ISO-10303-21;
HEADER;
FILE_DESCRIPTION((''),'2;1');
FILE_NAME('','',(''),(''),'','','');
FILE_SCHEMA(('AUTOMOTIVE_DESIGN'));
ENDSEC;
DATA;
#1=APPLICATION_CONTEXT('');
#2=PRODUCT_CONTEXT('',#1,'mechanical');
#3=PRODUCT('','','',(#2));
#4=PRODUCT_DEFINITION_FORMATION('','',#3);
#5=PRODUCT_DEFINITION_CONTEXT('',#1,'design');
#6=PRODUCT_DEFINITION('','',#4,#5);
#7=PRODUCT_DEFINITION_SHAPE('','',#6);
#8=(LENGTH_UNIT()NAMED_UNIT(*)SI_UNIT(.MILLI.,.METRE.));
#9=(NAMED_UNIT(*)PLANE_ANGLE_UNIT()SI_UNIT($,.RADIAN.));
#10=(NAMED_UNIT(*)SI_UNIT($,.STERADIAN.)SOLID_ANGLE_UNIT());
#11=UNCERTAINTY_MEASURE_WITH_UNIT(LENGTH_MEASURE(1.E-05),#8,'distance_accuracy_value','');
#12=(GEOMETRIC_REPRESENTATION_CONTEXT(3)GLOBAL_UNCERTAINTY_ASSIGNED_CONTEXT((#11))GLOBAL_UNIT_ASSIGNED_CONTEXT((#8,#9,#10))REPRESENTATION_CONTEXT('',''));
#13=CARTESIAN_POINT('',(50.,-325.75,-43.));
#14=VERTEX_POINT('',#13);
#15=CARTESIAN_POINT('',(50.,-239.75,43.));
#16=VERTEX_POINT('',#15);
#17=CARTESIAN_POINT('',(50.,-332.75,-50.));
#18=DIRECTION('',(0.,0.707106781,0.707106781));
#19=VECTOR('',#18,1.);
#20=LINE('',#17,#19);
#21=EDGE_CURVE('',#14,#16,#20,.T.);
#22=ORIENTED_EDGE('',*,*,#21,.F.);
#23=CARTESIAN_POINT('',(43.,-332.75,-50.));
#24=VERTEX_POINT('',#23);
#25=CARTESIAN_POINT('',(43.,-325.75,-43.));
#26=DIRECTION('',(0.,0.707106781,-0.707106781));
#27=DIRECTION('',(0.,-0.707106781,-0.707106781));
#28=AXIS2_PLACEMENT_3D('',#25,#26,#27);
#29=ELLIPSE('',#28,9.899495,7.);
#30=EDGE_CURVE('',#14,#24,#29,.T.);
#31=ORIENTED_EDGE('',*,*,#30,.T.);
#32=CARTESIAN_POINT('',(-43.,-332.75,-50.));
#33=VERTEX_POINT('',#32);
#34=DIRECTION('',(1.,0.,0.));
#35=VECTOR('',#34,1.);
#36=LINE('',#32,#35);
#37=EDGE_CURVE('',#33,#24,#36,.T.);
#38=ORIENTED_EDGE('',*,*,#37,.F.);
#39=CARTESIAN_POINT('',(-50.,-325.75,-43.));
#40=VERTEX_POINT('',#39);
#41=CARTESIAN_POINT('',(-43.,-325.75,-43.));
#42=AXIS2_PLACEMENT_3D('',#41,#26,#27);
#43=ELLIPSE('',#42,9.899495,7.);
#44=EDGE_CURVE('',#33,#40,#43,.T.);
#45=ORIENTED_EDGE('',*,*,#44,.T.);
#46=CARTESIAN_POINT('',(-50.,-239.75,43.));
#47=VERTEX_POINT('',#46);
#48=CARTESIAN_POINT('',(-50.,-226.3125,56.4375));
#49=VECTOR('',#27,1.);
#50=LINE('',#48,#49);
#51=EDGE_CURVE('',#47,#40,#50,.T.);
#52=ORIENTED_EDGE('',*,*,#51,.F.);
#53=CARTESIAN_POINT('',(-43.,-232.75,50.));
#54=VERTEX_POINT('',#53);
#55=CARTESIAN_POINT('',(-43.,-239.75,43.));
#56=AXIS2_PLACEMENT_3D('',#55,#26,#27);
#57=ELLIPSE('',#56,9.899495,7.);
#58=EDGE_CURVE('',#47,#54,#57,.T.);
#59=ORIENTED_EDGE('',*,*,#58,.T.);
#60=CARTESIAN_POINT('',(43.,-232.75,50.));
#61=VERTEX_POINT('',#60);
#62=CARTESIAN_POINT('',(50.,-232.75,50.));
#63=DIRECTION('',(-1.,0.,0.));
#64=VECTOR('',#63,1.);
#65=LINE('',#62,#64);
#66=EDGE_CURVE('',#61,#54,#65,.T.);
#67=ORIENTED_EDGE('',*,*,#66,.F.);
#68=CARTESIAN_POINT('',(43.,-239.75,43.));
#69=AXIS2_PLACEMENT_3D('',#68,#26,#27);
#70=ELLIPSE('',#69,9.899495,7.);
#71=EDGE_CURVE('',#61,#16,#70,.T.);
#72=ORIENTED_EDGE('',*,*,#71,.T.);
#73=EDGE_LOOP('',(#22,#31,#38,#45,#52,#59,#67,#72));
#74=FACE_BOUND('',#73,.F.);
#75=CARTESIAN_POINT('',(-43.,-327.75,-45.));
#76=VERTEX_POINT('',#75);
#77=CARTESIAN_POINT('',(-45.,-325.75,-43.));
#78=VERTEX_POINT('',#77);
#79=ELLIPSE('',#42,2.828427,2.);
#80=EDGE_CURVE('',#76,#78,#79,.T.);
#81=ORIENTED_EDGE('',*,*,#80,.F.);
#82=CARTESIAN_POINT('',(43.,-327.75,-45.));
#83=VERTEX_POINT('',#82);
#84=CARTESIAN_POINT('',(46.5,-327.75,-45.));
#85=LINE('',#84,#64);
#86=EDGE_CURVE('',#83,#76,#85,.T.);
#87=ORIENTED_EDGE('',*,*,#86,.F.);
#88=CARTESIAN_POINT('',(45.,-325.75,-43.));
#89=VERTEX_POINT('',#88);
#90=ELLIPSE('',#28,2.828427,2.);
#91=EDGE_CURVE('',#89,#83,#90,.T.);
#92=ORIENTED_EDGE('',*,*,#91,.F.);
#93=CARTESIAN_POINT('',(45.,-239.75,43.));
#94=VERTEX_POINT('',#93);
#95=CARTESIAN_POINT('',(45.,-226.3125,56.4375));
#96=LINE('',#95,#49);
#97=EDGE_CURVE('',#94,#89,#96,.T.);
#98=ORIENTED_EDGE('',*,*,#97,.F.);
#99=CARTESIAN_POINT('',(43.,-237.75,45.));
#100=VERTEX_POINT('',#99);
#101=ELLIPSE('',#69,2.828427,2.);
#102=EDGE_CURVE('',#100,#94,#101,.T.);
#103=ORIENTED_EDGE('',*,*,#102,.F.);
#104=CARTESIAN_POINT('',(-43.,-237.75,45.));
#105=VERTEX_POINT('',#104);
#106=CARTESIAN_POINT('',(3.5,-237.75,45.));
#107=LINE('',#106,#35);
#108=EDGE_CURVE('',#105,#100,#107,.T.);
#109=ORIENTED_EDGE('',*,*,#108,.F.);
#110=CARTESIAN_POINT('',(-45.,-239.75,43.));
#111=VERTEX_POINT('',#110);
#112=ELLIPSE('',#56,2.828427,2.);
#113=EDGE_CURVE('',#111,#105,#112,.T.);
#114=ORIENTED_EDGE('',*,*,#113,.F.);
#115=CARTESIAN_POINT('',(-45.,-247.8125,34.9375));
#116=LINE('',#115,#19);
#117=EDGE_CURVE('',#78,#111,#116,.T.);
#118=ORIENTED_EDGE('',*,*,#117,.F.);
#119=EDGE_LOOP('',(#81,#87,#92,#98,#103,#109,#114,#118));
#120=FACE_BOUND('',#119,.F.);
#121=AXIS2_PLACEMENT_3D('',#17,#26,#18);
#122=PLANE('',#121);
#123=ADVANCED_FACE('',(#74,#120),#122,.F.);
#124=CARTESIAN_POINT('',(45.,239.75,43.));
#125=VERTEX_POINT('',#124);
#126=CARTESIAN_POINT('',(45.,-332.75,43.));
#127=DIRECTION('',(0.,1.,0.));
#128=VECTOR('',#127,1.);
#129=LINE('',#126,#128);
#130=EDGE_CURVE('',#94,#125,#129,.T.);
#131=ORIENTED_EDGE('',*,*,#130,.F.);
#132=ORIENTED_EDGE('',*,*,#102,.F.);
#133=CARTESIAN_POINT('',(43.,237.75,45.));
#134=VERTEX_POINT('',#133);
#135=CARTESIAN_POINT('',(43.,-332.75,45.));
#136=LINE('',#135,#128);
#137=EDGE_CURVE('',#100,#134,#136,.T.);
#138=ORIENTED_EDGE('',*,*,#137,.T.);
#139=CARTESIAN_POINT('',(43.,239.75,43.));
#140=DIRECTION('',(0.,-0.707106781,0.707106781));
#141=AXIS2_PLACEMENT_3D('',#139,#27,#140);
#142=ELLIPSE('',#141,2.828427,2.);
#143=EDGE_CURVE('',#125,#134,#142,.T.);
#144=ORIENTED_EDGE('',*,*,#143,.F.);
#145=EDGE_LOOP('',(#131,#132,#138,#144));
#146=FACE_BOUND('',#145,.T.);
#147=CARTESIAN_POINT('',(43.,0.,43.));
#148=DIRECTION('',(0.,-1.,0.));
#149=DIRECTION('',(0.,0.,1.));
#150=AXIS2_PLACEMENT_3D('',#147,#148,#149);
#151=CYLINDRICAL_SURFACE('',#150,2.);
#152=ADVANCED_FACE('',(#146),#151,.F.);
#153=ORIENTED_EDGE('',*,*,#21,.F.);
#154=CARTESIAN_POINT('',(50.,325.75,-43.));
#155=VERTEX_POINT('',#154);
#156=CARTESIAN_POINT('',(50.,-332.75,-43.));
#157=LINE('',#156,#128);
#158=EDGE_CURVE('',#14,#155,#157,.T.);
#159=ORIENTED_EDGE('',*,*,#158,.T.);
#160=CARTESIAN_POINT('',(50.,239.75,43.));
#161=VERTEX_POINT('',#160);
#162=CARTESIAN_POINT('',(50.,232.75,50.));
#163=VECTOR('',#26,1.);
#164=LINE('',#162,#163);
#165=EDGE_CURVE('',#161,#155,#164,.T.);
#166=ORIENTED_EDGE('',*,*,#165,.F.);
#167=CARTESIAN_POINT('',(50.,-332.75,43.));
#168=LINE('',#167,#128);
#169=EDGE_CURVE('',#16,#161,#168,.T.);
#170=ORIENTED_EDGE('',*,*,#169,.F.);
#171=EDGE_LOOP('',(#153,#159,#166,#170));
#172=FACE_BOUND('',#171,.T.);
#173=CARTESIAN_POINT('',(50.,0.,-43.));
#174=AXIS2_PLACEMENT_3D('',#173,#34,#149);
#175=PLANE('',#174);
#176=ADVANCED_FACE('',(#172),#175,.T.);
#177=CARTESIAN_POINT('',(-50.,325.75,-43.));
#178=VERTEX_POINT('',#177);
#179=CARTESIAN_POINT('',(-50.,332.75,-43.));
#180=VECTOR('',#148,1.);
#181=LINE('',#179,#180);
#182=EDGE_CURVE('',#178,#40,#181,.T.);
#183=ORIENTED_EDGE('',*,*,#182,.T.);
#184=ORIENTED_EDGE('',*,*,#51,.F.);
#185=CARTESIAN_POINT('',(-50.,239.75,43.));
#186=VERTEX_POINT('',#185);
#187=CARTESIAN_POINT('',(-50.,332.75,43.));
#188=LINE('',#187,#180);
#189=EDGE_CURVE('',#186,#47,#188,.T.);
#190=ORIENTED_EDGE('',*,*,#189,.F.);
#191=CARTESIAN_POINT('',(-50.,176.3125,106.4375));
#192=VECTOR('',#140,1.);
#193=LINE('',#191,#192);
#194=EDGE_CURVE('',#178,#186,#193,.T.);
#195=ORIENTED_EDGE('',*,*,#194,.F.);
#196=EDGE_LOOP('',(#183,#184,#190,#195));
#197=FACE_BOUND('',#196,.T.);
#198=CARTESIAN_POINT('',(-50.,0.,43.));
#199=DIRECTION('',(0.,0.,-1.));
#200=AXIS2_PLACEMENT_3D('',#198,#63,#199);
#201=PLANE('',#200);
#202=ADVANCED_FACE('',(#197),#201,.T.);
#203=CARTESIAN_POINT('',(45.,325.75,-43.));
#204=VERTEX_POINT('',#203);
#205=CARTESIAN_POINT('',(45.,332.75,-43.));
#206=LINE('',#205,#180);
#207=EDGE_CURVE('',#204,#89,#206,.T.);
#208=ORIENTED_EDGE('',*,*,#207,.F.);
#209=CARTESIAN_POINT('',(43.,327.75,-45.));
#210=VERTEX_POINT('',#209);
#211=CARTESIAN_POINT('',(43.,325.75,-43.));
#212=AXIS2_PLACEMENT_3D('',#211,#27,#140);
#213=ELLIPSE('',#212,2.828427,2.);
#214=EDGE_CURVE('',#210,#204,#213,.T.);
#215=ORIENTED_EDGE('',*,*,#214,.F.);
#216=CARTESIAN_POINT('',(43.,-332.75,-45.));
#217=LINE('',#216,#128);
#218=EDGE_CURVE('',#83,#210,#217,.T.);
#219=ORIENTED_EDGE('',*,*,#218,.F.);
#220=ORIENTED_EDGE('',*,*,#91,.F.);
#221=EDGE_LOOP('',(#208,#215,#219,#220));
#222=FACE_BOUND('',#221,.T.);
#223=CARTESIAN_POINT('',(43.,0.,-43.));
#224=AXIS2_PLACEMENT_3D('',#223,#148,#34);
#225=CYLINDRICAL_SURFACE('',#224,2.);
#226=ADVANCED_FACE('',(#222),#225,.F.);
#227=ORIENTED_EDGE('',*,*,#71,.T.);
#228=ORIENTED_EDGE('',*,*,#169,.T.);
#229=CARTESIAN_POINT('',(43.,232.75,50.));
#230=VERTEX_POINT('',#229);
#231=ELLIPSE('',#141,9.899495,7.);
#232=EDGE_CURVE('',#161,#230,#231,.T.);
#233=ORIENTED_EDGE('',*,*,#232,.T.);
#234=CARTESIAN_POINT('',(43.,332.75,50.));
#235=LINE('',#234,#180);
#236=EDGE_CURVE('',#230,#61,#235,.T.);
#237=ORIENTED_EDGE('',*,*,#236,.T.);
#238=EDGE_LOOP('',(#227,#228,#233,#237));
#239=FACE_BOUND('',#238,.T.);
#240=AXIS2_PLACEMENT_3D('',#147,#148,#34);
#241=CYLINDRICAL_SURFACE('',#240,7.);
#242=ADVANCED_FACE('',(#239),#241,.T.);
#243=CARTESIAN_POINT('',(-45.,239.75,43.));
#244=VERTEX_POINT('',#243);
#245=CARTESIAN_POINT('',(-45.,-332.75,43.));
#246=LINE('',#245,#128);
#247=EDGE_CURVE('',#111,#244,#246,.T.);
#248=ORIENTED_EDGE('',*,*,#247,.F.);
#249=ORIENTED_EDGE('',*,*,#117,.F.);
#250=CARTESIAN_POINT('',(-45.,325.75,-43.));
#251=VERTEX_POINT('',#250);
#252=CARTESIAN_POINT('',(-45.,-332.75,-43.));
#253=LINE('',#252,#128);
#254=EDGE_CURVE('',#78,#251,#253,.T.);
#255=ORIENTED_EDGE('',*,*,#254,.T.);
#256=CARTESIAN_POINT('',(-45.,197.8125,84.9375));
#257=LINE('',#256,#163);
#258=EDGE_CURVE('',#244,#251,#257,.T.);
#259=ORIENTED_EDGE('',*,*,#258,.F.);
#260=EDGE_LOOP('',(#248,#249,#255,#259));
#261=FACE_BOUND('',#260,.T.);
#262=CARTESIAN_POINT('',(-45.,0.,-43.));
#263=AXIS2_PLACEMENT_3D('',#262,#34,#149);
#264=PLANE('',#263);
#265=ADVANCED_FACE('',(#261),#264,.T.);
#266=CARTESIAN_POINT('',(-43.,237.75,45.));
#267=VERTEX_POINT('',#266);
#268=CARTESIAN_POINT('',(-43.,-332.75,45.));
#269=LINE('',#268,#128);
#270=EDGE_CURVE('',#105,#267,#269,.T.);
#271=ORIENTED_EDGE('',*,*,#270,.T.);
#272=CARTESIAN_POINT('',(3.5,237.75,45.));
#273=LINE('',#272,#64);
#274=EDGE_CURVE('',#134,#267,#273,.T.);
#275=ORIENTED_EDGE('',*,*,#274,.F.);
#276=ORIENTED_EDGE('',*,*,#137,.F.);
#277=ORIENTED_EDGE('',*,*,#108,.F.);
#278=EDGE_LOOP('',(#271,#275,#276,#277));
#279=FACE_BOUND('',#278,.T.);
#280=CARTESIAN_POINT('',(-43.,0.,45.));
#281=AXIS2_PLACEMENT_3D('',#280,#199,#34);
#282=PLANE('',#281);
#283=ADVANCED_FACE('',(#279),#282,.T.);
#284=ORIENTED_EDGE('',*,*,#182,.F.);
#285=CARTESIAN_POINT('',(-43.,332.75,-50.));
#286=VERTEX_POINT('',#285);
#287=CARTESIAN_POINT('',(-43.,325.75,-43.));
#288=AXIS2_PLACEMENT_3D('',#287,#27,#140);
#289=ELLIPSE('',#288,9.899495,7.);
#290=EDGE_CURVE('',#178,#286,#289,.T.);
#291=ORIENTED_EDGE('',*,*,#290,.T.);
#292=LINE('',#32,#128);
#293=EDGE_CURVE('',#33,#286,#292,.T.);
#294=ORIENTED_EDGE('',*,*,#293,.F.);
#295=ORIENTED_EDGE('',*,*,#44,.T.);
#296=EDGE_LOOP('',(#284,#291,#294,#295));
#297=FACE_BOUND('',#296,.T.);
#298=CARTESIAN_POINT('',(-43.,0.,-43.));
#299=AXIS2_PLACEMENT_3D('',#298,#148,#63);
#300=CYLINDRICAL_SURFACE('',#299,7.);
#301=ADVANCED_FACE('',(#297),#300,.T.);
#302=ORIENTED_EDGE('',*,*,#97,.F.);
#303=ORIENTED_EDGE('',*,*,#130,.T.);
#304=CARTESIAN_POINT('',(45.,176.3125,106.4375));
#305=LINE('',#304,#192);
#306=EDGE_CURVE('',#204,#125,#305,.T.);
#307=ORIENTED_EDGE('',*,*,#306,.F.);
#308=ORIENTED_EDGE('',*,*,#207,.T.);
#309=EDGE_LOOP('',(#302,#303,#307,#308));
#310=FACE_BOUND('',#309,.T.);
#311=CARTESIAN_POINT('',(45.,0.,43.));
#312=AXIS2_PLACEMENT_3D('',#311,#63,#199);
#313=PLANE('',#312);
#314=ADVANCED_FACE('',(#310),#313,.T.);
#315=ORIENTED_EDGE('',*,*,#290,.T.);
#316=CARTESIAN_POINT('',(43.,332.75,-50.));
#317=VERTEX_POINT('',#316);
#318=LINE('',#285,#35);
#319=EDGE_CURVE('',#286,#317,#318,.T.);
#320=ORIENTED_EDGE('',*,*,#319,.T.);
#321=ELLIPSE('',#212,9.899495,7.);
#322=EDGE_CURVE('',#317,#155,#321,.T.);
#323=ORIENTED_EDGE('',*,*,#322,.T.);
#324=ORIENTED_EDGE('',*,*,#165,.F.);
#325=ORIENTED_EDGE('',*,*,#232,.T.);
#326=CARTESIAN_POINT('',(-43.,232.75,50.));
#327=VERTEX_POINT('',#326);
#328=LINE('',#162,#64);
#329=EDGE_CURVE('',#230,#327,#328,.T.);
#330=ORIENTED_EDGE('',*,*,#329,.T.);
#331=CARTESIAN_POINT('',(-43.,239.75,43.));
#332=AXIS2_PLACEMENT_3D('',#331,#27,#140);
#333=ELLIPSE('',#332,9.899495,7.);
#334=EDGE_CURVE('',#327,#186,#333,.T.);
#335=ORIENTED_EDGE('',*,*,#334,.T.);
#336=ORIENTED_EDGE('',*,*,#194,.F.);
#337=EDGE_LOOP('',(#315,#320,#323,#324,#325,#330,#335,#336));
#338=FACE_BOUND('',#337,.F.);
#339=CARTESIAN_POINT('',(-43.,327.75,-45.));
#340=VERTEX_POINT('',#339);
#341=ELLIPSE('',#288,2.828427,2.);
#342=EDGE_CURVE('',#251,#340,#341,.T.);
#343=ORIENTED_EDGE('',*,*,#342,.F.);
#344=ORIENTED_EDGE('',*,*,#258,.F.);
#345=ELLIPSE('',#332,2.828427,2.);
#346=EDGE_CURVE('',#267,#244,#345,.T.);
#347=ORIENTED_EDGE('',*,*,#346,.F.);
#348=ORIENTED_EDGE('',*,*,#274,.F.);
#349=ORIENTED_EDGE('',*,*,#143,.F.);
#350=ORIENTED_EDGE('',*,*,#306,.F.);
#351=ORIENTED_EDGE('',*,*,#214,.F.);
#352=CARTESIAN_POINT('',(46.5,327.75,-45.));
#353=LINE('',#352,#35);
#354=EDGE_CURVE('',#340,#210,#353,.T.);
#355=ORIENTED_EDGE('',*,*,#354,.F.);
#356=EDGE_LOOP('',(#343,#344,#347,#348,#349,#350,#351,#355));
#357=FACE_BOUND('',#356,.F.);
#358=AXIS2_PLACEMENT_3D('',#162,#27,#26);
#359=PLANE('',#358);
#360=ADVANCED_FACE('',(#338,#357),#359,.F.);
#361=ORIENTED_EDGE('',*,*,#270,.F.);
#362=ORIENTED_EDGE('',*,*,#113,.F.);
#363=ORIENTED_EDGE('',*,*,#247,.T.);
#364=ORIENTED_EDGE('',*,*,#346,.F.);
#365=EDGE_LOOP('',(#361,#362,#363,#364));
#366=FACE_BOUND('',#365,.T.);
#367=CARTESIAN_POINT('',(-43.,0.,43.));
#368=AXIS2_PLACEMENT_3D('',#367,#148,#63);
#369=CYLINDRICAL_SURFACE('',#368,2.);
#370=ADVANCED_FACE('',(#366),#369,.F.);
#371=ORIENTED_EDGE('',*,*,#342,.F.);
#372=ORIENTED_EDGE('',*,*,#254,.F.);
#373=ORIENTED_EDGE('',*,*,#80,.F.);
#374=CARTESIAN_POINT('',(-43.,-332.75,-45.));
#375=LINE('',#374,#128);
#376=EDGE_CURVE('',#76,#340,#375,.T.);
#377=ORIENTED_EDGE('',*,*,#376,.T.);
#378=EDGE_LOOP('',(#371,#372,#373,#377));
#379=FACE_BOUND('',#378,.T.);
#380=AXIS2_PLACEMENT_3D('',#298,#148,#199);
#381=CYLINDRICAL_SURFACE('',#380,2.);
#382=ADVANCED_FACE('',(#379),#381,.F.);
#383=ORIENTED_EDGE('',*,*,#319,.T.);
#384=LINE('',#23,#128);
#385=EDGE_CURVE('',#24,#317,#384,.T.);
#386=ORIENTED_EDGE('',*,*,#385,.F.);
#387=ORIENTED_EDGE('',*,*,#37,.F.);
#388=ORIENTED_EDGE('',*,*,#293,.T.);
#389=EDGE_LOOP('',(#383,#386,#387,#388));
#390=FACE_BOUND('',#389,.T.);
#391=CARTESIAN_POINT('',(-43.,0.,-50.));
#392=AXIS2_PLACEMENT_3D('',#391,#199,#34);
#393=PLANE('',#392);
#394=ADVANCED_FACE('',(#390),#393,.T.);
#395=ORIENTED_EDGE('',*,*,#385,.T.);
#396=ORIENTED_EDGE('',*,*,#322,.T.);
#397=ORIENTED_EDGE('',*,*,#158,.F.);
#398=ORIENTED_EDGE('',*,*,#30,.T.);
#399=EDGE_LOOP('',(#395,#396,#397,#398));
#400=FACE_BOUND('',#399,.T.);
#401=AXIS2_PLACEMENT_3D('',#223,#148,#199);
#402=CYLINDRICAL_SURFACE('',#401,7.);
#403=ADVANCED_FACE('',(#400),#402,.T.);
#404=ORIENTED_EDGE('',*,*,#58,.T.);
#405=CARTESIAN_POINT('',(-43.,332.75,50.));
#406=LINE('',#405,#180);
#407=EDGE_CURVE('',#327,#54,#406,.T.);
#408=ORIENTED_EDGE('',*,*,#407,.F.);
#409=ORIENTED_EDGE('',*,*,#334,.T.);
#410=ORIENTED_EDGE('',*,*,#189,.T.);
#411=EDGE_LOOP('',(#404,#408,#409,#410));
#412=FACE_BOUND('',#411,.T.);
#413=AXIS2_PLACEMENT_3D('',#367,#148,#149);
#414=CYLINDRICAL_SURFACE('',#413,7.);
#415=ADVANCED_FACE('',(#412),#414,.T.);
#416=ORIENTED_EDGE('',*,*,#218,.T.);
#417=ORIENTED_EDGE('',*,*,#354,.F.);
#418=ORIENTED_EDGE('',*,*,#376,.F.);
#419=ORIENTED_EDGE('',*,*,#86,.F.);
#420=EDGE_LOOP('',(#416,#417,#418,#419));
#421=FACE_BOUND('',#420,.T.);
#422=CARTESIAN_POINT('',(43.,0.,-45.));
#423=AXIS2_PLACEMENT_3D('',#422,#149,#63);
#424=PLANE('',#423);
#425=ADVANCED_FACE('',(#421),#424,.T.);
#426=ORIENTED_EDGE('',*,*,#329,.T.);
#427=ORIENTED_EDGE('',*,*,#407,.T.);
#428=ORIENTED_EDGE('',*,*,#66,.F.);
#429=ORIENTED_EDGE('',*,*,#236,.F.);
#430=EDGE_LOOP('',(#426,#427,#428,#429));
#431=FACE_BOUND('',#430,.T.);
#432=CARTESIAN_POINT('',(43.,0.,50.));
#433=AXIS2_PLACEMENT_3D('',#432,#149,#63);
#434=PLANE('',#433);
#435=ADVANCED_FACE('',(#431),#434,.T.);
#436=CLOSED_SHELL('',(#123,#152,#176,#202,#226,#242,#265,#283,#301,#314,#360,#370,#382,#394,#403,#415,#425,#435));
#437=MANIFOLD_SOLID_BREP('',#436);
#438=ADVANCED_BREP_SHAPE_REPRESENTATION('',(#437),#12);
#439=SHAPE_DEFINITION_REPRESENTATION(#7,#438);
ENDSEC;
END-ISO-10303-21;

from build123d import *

# Parameters (mm, degrees)
F1_DEPTH = 332.75
F3_DEPTH = 100.001


with BuildPart() as f1:
    # F0 (on Front) → F1 (new body, symmetric)
    with BuildSketch(Plane.XZ):
        with BuildLine():
            ThreePointArc((50, 43), (47.9497474683, 47.9497474683), (43, 50))
            Line((43, 50), (-43, 50))
            ThreePointArc((-43, 50), (-47.9497474683, 47.9497474683), (-50, 43))
            Line((-50, 43), (-50, -43))
            ThreePointArc((-50, -43), (-47.9497474683, -47.9497474683), (-43, -50))
            Line((-43, -50), (43, -50))
            ThreePointArc((43, -50), (47.9497474683, -47.9497474683), (50, -43))
            Line((50, -43), (50, 43))
        make_face()
        with BuildLine():
            ThreePointArc((45, -43), (44.4142135624, -44.4142135624), (43, -45))
            Line((43, -45), (-43, -45))
            ThreePointArc((-43, -45), (-44.4142135624, -44.4142135624), (-45, -43))
            Line((-45, -43), (-45, 43))
            ThreePointArc((-45, 43), (-44.4142135624, 44.4142135624), (-43, 45))
            Line((-43, 45), (43, 45))
            ThreePointArc((43, 45), (44.4142135624, 44.4142135624), (45, 43))
            Line((45, 43), (45, -43))
        make_face(mode=Mode.SUBTRACT)
    extrude(amount=F1_DEPTH, both=True)

    # F2 (on face) → F3 (cut, through all)
    with BuildSketch(Plane.YZ.offset(50)):
        Polygon((332.75, 50), (232.75, 50), (332.75, -50), align=None)
        Polygon((-332.75, -50), (-232.75, 50), (-332.75, 50), align=None)
    extrude(amount=-F3_DEPTH, mode=Mode.SUBTRACT)


solid = f1.part
